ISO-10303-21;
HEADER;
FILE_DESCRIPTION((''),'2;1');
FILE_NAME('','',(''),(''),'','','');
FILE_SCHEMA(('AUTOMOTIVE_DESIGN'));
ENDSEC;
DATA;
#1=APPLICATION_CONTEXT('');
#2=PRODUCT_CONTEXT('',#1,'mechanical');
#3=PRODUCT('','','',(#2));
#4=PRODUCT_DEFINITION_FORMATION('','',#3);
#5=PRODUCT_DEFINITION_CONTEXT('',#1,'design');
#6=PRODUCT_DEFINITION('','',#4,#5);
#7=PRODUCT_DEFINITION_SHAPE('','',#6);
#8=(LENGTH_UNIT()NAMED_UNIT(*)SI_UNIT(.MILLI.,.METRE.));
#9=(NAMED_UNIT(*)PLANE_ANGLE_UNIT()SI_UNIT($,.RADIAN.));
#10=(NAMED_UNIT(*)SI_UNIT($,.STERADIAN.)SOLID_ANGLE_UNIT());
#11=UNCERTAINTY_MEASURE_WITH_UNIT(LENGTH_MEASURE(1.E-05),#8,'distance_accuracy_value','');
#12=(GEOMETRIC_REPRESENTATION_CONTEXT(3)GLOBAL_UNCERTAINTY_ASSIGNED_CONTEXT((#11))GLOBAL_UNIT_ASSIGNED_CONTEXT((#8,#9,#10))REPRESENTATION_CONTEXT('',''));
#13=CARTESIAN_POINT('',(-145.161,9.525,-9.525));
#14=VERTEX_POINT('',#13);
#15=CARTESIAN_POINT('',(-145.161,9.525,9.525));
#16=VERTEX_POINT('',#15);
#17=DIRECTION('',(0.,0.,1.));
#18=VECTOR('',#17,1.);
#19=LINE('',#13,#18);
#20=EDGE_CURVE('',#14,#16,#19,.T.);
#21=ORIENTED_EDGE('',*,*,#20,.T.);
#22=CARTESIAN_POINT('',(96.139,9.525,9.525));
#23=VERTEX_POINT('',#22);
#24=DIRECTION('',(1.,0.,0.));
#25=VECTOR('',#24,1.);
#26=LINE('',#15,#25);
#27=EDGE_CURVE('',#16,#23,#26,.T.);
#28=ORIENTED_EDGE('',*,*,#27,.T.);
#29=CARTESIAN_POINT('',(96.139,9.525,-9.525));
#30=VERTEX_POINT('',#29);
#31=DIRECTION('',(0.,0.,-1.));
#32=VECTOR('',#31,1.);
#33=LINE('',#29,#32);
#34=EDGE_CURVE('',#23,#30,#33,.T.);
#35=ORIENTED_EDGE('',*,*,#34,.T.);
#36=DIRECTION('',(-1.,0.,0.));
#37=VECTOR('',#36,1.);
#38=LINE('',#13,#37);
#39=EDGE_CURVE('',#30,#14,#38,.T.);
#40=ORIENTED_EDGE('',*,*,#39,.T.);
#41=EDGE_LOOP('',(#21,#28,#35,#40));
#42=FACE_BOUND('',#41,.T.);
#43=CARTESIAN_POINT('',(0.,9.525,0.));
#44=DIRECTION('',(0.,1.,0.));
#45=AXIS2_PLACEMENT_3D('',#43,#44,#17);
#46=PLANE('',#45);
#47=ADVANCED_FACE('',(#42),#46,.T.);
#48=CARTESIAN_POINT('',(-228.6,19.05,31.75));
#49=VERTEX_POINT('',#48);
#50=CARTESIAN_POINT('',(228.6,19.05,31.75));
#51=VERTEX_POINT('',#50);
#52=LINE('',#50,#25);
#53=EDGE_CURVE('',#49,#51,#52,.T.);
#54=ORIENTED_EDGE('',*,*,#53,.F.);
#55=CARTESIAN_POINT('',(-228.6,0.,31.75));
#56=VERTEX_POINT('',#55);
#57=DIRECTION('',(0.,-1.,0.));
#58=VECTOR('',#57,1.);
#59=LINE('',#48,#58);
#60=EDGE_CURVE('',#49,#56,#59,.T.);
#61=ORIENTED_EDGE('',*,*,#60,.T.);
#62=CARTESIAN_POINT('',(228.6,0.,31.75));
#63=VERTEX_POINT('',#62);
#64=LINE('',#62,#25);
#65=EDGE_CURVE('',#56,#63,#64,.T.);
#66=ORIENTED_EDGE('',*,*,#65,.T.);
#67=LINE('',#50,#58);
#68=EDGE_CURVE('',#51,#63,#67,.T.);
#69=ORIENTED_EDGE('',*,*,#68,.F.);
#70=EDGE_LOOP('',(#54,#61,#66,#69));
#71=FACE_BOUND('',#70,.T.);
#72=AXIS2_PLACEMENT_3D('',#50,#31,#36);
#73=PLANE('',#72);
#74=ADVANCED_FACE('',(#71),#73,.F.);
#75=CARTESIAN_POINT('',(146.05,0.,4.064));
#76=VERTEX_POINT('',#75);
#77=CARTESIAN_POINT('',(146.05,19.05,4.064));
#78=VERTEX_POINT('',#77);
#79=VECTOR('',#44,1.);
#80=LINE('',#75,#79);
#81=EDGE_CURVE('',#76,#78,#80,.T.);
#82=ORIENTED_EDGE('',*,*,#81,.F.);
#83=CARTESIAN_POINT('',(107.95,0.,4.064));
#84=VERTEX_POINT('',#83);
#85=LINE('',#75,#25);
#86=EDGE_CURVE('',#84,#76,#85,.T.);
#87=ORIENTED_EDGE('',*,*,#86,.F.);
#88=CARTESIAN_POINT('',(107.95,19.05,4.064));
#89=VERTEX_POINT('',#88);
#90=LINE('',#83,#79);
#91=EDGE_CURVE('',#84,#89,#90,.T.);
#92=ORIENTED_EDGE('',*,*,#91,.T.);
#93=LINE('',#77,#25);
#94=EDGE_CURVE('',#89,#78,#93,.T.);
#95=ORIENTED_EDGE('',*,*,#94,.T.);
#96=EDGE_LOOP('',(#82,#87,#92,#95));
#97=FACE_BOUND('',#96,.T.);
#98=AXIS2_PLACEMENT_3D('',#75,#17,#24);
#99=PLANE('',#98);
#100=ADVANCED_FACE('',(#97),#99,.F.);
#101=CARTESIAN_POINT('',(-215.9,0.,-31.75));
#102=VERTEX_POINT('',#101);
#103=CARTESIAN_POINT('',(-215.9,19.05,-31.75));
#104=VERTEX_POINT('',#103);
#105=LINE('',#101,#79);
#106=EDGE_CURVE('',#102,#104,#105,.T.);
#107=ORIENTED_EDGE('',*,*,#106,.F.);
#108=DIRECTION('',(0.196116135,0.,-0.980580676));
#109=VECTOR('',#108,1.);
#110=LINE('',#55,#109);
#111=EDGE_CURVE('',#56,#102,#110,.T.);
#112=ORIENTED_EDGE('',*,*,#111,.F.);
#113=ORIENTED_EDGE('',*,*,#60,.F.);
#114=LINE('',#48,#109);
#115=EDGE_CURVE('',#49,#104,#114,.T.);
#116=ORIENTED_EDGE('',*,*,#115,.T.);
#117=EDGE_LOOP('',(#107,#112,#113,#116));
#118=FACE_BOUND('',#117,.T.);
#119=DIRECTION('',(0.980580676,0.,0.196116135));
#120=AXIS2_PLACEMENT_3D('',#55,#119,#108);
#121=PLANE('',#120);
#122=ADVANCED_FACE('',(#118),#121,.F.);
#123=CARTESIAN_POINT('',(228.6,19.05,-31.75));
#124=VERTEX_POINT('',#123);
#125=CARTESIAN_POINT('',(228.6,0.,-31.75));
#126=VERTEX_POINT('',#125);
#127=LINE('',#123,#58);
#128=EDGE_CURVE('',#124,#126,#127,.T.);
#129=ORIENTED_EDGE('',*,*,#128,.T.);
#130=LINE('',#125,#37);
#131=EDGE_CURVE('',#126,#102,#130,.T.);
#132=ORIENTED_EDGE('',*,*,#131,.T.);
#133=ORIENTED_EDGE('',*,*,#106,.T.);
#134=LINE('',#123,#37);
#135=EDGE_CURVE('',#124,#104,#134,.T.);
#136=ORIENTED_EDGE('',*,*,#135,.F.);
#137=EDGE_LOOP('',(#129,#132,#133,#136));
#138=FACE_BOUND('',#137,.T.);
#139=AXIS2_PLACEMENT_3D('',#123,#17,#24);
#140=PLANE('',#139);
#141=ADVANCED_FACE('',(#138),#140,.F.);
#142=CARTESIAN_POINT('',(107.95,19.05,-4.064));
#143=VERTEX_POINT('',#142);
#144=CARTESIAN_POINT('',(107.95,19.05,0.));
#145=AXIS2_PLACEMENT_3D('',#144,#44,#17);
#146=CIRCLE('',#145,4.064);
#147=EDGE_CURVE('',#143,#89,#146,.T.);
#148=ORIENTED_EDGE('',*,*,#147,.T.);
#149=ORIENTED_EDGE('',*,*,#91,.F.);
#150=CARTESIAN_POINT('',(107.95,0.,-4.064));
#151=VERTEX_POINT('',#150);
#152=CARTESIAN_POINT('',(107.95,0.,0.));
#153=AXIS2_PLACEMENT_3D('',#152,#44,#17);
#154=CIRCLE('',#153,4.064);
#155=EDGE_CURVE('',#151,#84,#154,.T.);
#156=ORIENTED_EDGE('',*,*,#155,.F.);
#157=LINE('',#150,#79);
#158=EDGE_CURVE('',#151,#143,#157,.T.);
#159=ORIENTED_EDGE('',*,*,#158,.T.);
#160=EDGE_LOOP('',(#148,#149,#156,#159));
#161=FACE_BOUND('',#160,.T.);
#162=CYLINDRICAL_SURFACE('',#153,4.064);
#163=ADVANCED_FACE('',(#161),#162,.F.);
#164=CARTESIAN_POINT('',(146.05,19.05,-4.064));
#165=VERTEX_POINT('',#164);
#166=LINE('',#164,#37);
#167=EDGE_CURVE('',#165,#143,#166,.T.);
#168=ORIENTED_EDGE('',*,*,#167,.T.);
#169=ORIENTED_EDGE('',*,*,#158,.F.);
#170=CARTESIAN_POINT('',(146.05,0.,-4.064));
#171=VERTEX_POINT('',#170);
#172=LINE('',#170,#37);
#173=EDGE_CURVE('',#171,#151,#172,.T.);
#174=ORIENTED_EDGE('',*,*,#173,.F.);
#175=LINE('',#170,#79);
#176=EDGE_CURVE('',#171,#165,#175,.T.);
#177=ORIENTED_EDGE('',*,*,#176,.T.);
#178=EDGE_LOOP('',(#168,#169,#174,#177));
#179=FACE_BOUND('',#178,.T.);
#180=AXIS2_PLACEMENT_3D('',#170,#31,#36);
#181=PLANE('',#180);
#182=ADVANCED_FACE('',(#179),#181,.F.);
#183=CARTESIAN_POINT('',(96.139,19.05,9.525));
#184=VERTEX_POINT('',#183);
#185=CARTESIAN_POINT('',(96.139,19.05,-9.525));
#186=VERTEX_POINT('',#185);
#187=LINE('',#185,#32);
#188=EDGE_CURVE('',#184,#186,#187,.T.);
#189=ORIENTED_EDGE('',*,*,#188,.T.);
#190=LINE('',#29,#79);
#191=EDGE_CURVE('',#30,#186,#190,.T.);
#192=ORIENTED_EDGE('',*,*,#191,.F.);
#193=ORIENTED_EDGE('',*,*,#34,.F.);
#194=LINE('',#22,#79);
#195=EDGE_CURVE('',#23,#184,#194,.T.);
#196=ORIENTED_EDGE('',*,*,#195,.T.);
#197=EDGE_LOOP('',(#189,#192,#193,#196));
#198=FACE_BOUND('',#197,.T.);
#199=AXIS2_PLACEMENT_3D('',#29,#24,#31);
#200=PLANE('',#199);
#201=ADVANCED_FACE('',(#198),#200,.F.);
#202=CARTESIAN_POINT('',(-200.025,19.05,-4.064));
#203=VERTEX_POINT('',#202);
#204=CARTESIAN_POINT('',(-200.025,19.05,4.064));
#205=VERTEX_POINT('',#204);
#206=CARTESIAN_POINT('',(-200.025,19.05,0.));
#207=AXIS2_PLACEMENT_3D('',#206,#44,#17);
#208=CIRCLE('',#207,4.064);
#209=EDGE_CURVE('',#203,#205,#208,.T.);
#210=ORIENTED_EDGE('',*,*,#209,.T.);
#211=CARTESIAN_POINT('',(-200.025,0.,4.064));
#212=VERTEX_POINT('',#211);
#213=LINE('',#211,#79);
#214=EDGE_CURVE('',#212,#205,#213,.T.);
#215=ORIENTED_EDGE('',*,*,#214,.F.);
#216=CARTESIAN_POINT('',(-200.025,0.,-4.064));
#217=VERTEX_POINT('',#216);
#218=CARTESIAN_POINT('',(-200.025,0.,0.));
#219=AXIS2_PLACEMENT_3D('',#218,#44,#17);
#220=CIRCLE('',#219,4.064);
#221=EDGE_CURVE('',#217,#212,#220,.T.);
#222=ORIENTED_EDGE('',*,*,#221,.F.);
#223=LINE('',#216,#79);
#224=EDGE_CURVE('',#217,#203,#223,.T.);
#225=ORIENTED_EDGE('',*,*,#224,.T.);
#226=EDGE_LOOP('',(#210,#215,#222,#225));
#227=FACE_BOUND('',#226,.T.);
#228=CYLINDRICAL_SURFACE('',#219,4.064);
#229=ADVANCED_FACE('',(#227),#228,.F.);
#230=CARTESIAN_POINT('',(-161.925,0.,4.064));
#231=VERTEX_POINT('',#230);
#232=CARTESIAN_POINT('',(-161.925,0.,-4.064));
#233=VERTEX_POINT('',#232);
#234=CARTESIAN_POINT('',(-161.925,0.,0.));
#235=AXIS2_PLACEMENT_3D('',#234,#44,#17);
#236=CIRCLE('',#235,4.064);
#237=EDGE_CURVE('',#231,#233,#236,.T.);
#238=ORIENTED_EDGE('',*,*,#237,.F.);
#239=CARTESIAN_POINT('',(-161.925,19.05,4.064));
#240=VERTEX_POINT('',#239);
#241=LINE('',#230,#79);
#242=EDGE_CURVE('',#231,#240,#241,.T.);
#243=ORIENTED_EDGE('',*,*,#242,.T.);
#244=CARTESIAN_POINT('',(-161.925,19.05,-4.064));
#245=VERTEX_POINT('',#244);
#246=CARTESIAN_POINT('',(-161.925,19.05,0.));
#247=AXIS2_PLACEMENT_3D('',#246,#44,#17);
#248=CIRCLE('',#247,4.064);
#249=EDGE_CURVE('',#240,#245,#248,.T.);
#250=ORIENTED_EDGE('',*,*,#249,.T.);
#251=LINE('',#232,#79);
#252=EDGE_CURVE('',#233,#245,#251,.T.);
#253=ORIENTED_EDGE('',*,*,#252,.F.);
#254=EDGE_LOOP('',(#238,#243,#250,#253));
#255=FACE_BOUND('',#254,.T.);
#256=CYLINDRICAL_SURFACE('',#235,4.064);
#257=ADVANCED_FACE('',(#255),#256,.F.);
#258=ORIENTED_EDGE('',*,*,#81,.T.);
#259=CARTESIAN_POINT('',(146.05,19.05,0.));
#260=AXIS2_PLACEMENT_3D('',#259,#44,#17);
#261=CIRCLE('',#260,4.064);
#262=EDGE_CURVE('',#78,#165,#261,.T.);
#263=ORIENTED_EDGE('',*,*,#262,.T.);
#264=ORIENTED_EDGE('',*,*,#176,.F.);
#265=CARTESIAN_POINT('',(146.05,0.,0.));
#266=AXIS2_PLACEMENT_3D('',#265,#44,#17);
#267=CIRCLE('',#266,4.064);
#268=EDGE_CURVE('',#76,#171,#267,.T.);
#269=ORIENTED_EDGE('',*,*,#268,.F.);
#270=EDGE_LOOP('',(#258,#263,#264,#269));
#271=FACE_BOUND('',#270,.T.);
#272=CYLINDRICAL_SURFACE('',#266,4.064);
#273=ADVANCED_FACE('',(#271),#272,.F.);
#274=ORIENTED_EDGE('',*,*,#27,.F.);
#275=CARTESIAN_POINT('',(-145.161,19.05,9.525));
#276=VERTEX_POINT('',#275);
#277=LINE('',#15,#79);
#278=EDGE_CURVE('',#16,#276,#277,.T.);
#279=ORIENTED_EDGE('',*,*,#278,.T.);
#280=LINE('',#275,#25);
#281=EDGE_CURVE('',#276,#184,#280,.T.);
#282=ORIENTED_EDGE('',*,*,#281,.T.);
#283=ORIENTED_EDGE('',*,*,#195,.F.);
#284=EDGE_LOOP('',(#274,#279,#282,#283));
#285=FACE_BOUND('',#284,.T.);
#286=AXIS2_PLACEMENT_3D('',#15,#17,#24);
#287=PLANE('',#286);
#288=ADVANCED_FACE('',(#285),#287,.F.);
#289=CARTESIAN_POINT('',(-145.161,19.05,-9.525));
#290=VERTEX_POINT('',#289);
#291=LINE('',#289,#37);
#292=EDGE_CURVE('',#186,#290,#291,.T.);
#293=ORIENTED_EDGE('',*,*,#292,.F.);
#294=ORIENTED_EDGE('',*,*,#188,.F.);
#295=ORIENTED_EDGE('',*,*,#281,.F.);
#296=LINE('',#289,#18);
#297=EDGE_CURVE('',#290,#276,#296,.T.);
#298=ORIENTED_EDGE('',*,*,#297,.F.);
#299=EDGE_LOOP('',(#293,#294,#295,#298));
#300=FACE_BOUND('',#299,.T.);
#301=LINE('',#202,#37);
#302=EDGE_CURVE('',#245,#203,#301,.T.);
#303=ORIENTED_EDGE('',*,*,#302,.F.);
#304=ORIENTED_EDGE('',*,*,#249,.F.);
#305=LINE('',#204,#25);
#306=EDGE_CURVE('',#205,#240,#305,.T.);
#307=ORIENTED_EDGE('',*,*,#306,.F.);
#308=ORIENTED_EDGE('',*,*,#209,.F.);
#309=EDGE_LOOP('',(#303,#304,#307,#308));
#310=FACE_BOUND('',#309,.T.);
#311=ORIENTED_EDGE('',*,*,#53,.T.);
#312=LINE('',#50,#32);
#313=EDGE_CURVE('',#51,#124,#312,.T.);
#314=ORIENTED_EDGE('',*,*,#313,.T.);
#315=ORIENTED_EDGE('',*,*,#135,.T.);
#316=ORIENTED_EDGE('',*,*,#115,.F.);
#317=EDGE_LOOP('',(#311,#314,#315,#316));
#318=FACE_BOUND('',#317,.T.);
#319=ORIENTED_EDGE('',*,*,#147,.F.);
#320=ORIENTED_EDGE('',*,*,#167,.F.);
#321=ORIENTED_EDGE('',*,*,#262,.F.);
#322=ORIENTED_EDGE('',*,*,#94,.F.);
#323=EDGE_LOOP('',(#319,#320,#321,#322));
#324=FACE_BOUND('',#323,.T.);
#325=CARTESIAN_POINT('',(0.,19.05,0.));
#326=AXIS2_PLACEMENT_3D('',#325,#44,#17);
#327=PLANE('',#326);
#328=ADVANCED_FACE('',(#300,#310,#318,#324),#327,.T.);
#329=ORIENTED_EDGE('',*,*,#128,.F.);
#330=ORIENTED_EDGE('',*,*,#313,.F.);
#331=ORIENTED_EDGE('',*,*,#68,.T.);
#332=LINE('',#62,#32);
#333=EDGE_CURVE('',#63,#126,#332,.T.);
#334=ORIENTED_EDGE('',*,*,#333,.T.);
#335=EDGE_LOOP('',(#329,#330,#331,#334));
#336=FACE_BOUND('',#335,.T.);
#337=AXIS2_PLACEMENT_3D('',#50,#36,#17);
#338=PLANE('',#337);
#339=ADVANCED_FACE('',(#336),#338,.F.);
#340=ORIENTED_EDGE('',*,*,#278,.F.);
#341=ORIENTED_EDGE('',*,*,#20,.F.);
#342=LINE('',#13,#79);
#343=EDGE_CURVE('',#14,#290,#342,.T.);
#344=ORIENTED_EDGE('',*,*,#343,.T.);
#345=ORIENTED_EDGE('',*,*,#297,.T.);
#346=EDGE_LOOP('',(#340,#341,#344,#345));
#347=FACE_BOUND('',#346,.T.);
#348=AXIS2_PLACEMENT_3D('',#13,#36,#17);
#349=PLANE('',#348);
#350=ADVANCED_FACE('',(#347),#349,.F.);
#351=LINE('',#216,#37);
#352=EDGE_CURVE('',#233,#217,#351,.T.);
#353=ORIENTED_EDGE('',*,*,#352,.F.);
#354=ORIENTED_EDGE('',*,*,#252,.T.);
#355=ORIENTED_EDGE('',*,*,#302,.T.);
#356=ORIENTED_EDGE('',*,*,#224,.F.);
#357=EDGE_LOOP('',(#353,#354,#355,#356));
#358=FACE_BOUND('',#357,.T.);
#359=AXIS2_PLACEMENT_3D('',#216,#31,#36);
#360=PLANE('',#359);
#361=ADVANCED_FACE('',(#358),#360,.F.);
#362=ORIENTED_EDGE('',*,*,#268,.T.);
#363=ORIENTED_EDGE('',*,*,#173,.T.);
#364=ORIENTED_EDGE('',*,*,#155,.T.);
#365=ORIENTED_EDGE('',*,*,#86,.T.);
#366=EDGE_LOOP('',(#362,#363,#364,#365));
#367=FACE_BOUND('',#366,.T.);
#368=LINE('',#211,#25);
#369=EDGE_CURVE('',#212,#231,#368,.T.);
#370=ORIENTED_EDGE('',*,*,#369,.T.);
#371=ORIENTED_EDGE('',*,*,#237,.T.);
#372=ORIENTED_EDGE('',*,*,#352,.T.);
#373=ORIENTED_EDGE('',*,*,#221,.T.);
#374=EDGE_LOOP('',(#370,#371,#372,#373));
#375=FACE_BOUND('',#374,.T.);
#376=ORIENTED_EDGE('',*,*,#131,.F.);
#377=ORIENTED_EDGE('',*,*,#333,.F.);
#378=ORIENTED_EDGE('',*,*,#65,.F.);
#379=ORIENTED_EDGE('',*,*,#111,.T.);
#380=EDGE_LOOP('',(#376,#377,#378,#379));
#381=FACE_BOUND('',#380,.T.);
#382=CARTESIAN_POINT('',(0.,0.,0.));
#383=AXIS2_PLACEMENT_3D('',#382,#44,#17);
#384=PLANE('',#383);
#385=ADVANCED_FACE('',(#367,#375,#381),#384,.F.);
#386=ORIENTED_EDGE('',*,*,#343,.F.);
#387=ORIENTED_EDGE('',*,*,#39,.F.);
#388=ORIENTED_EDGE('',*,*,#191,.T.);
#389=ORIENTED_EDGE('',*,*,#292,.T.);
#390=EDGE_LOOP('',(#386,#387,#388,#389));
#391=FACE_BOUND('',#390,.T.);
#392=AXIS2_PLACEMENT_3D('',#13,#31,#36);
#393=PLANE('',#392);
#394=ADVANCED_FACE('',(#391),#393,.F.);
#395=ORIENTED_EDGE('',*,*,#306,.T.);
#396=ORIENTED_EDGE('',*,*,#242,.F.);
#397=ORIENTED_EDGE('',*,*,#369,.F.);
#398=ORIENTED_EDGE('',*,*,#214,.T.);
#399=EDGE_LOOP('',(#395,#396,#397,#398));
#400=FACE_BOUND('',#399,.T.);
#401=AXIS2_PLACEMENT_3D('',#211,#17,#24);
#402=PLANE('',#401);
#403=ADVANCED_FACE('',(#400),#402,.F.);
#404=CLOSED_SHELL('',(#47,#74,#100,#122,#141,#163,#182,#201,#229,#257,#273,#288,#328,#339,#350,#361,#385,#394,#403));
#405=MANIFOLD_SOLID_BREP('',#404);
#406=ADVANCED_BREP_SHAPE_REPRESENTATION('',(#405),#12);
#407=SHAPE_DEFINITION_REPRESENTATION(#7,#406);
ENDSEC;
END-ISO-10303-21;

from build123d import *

# Parameters (mm, degrees)
SKETCH1_W           = 457.2
SKETCH1_H           = 63.5
BOSS_EXTRUDE1_DEPTH = 19.05
CUT_EXTRUDE1_DEPTH  = 19.05
CUT_EXTRUDE2_DEPTH  = 232.579198116
SKETCH5_W           = 241.3
SKETCH5_H           = 19.05
CUT_EXTRUDE3_DEPTH  = 9.525


with BuildPart() as part:
    # Sketch1 → Boss-Extrude1 (new body)
    with BuildSketch(Plane(origin=(0, 0, 0), x_dir=(1, 0, 0), z_dir=(0, 1, 0))):
        Rectangle(SKETCH1_W, SKETCH1_H)
    extrude(amount=BOSS_EXTRUDE1_DEPTH)

    # Sketch2 → Cut-Extrude1 (cut)
    with BuildSketch(Plane(origin=(0, 19.05, 0), x_dir=(1, 0, 0), z_dir=(0, 1, 0))):
        with BuildLine():
            Line((146.05, -4.064), (107.95, -4.064))
            ThreePointArc((107.95, -4.064), (103.886, 0), (107.95, 4.064))
            Line((107.95, 4.064), (146.05, 4.064))
            ThreePointArc((146.05, 4.064), (150.114, 0), (146.05, -4.064))
        make_face()
        with BuildLine():
            Line((-200.025, 4.064), (-161.925, 4.064))
            ThreePointArc((-161.925, 4.064), (-157.861, 0), (-161.925, -4.064))
            Line((-161.925, -4.064), (-200.025, -4.064))
            ThreePointArc((-200.025, -4.064), (-204.089, 0), (-200.025, 4.064))
        make_face()
    extrude(amount=-CUT_EXTRUDE1_DEPTH, mode=Mode.SUBTRACT)

    # Sketch3 → Cut-Extrude2 (cut, through all)
    with BuildSketch(Plane(origin=(0, 19.05, 0), x_dir=(1, 0, 0), z_dir=(0, 1, 0))):
        Polygon((-228.6, 31.75), (-228.6, -31.75), (-215.9, 31.75), align=None)
    extrude(amount=-CUT_EXTRUDE2_DEPTH, mode=Mode.SUBTRACT)

    # Sketch5 → Cut-Extrude3 (cut)
    with BuildSketch(Plane(origin=(0, 19.05, 0), x_dir=(1, 0, 0), z_dir=(0, 1, 0))):
        with Locations((-24.511, 0)):
            Rectangle(SKETCH5_W, SKETCH5_H)
    extrude(amount=-CUT_EXTRUDE3_DEPTH, mode=Mode.SUBTRACT)


solid = part.part
